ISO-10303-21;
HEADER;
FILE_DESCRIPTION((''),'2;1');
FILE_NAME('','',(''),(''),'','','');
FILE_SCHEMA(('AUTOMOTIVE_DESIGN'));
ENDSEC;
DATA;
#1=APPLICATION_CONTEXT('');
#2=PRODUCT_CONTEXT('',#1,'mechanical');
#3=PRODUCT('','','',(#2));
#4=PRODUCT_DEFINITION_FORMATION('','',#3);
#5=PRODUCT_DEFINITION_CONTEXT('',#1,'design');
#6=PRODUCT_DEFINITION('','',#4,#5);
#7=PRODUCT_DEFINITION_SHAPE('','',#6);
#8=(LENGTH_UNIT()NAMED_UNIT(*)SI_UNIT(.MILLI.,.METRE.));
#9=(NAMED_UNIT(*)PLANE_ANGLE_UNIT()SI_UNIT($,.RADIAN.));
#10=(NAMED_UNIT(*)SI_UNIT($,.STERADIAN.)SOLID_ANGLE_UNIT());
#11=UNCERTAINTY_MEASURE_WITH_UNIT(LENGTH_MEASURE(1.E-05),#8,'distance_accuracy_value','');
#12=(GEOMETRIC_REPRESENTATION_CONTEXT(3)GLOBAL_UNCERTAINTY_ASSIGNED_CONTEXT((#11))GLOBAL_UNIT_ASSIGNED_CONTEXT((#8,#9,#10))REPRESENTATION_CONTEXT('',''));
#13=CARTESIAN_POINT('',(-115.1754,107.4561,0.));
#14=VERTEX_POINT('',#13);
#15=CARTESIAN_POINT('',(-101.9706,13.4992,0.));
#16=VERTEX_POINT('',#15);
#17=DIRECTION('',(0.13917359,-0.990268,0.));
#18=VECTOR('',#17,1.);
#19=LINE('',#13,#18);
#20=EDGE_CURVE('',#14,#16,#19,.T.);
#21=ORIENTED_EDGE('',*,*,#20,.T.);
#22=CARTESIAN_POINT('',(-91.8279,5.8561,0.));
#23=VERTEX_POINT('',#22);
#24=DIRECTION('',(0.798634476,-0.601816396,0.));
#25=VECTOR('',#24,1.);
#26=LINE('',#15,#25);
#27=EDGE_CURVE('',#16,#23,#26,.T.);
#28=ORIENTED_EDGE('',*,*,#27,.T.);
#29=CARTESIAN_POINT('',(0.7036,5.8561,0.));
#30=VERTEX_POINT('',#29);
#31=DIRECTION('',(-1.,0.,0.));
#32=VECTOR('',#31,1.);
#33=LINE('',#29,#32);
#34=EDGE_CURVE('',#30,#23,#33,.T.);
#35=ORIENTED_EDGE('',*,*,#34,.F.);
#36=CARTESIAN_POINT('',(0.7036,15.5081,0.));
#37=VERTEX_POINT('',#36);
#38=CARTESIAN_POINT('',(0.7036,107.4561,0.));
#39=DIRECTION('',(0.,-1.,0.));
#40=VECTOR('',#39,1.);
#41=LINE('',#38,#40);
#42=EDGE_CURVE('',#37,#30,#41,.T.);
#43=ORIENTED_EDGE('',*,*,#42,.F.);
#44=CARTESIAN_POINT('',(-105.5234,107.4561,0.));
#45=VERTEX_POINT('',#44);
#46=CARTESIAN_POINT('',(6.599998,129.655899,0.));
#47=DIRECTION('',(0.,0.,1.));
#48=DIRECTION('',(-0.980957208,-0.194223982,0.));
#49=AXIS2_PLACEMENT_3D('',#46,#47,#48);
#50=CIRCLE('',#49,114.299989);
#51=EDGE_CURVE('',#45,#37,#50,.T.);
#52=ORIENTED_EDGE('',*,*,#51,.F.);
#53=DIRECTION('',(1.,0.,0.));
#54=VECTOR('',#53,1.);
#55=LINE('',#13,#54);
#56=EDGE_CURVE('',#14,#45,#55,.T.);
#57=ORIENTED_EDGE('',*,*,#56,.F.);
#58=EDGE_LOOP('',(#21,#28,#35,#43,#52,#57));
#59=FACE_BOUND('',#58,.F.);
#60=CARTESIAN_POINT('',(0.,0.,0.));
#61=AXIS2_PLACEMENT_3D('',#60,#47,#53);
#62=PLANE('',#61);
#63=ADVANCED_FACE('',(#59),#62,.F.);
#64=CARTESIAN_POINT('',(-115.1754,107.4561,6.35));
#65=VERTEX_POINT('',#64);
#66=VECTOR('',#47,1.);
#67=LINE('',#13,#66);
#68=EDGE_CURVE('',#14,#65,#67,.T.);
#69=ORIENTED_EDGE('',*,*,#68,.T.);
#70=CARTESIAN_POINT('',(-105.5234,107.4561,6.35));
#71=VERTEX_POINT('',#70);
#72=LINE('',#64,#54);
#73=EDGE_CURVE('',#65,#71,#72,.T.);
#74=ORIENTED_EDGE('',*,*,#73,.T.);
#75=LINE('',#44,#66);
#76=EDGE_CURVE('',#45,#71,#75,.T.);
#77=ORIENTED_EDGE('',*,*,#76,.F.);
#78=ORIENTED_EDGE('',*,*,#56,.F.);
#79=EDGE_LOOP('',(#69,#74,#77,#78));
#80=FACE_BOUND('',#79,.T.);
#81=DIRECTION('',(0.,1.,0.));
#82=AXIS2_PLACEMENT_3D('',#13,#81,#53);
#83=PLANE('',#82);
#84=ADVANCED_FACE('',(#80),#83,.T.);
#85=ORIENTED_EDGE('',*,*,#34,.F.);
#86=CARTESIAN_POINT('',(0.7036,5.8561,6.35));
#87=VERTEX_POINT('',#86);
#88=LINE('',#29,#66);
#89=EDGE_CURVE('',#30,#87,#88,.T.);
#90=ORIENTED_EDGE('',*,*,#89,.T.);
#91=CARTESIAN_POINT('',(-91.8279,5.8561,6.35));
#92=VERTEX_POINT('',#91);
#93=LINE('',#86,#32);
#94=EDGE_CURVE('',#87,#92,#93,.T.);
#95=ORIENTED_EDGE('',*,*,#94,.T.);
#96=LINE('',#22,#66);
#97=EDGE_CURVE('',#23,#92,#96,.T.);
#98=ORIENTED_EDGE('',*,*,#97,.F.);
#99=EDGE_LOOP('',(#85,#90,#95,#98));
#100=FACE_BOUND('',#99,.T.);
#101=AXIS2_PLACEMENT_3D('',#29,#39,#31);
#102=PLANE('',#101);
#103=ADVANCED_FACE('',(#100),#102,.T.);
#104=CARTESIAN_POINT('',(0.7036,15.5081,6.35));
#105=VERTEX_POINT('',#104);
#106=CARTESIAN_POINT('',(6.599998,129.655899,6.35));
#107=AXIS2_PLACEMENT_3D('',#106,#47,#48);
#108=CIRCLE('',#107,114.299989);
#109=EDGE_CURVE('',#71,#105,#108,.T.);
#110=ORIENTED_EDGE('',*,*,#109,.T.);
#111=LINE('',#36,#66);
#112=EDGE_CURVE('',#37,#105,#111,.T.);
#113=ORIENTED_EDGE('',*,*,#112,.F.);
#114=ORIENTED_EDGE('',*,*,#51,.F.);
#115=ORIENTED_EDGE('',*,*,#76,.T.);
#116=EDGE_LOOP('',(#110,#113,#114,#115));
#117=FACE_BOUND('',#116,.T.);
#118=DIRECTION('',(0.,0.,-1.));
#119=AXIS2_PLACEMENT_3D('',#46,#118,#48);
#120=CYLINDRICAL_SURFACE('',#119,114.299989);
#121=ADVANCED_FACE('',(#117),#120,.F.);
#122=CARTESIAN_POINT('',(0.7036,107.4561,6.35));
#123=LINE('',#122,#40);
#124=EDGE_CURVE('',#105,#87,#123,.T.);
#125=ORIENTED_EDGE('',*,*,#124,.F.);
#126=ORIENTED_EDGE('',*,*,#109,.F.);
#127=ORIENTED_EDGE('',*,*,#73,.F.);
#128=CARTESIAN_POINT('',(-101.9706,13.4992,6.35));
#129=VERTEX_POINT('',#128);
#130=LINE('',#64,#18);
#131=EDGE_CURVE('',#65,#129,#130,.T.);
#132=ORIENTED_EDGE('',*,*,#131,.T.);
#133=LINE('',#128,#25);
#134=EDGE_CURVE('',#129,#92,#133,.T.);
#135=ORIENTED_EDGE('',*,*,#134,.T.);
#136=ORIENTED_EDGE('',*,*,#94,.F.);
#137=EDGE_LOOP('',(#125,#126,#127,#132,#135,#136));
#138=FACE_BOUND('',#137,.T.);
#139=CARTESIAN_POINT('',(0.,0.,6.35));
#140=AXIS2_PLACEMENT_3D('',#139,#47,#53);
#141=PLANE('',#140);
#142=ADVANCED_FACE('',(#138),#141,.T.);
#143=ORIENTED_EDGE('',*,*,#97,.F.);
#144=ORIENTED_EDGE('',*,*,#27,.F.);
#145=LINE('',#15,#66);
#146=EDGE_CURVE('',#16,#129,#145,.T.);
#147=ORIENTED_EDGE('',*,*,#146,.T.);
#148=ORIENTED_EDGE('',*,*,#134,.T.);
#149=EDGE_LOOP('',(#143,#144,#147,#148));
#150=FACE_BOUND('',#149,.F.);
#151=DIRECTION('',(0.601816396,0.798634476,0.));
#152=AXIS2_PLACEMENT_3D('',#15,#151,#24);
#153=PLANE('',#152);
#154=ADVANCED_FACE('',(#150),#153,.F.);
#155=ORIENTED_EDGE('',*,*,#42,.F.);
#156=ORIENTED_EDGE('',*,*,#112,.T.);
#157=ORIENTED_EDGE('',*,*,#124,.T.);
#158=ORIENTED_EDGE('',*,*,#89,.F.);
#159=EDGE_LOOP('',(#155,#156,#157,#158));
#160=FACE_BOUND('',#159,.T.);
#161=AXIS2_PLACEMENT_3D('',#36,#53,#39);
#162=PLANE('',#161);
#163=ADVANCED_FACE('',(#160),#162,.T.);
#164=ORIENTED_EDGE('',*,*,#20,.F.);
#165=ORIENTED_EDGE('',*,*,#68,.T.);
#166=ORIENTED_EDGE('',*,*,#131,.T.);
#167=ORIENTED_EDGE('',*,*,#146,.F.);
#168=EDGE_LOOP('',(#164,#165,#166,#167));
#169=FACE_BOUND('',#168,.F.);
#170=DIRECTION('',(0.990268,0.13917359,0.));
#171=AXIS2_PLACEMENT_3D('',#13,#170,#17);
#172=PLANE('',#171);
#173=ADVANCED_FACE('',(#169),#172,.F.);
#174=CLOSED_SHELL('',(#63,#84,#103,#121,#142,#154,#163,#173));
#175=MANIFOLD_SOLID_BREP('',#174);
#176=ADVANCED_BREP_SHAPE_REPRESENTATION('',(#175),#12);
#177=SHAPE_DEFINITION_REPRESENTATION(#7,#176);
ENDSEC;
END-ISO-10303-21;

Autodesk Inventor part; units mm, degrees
ref_plane "YZ Plane" through (0, 0, 0) normal (1, 0, 0) x (0, 1, 0)
ref_plane "XZ Plane" through (0, 0, 0) normal (0, 1, 0) x (-1, 0, 0)
ref_plane "XY Plane" through (0, 0, 0) normal (0, 0, 1) x (1, 0, 0)
sketch "Sketch1" plane through (0, 0, 0) normal (0, 0, 1) x (1, 0, 0)
  line L0 (-115.1754, 107.4561) -> (0.7036, 107.4561)
  line L1 (0.7036, 107.4561) -> (0.7036, 5.8561)
  line L2 (0.7036, 5.8561) -> (-115.1754, 5.8561)
  line L3 (-115.1754, 5.8561) -> (-115.1754, 107.4561)
  line L4 (-115.1754, 107.4561) -> (-100.8964, 5.8561)
  arc A0 (-105.5234, 107.4561) -> (0.7036, 15.5081) centre (6.6, 129.6559) ccw
  line L5 (-101.9706, 13.4992) -> (-91.8279, 5.8561)
  dimension "d0" = 101.6
  dimension "d2" = 8
  dimension "d6" = 9.652
  dimension "d7" = 9.652
  dimension "d8" = 114.3
  dimension "d9" = 123.7998
  dimension "d13" = 101.6
  dimension "d14" = 12.7
  dimension "d15" = 37
extrude "Extrusion1" add sketch "Sketch1" along normal blind 6.35 contours L0 A0 L1 L2 L5 L4
properties part number "FE-00013-03"
